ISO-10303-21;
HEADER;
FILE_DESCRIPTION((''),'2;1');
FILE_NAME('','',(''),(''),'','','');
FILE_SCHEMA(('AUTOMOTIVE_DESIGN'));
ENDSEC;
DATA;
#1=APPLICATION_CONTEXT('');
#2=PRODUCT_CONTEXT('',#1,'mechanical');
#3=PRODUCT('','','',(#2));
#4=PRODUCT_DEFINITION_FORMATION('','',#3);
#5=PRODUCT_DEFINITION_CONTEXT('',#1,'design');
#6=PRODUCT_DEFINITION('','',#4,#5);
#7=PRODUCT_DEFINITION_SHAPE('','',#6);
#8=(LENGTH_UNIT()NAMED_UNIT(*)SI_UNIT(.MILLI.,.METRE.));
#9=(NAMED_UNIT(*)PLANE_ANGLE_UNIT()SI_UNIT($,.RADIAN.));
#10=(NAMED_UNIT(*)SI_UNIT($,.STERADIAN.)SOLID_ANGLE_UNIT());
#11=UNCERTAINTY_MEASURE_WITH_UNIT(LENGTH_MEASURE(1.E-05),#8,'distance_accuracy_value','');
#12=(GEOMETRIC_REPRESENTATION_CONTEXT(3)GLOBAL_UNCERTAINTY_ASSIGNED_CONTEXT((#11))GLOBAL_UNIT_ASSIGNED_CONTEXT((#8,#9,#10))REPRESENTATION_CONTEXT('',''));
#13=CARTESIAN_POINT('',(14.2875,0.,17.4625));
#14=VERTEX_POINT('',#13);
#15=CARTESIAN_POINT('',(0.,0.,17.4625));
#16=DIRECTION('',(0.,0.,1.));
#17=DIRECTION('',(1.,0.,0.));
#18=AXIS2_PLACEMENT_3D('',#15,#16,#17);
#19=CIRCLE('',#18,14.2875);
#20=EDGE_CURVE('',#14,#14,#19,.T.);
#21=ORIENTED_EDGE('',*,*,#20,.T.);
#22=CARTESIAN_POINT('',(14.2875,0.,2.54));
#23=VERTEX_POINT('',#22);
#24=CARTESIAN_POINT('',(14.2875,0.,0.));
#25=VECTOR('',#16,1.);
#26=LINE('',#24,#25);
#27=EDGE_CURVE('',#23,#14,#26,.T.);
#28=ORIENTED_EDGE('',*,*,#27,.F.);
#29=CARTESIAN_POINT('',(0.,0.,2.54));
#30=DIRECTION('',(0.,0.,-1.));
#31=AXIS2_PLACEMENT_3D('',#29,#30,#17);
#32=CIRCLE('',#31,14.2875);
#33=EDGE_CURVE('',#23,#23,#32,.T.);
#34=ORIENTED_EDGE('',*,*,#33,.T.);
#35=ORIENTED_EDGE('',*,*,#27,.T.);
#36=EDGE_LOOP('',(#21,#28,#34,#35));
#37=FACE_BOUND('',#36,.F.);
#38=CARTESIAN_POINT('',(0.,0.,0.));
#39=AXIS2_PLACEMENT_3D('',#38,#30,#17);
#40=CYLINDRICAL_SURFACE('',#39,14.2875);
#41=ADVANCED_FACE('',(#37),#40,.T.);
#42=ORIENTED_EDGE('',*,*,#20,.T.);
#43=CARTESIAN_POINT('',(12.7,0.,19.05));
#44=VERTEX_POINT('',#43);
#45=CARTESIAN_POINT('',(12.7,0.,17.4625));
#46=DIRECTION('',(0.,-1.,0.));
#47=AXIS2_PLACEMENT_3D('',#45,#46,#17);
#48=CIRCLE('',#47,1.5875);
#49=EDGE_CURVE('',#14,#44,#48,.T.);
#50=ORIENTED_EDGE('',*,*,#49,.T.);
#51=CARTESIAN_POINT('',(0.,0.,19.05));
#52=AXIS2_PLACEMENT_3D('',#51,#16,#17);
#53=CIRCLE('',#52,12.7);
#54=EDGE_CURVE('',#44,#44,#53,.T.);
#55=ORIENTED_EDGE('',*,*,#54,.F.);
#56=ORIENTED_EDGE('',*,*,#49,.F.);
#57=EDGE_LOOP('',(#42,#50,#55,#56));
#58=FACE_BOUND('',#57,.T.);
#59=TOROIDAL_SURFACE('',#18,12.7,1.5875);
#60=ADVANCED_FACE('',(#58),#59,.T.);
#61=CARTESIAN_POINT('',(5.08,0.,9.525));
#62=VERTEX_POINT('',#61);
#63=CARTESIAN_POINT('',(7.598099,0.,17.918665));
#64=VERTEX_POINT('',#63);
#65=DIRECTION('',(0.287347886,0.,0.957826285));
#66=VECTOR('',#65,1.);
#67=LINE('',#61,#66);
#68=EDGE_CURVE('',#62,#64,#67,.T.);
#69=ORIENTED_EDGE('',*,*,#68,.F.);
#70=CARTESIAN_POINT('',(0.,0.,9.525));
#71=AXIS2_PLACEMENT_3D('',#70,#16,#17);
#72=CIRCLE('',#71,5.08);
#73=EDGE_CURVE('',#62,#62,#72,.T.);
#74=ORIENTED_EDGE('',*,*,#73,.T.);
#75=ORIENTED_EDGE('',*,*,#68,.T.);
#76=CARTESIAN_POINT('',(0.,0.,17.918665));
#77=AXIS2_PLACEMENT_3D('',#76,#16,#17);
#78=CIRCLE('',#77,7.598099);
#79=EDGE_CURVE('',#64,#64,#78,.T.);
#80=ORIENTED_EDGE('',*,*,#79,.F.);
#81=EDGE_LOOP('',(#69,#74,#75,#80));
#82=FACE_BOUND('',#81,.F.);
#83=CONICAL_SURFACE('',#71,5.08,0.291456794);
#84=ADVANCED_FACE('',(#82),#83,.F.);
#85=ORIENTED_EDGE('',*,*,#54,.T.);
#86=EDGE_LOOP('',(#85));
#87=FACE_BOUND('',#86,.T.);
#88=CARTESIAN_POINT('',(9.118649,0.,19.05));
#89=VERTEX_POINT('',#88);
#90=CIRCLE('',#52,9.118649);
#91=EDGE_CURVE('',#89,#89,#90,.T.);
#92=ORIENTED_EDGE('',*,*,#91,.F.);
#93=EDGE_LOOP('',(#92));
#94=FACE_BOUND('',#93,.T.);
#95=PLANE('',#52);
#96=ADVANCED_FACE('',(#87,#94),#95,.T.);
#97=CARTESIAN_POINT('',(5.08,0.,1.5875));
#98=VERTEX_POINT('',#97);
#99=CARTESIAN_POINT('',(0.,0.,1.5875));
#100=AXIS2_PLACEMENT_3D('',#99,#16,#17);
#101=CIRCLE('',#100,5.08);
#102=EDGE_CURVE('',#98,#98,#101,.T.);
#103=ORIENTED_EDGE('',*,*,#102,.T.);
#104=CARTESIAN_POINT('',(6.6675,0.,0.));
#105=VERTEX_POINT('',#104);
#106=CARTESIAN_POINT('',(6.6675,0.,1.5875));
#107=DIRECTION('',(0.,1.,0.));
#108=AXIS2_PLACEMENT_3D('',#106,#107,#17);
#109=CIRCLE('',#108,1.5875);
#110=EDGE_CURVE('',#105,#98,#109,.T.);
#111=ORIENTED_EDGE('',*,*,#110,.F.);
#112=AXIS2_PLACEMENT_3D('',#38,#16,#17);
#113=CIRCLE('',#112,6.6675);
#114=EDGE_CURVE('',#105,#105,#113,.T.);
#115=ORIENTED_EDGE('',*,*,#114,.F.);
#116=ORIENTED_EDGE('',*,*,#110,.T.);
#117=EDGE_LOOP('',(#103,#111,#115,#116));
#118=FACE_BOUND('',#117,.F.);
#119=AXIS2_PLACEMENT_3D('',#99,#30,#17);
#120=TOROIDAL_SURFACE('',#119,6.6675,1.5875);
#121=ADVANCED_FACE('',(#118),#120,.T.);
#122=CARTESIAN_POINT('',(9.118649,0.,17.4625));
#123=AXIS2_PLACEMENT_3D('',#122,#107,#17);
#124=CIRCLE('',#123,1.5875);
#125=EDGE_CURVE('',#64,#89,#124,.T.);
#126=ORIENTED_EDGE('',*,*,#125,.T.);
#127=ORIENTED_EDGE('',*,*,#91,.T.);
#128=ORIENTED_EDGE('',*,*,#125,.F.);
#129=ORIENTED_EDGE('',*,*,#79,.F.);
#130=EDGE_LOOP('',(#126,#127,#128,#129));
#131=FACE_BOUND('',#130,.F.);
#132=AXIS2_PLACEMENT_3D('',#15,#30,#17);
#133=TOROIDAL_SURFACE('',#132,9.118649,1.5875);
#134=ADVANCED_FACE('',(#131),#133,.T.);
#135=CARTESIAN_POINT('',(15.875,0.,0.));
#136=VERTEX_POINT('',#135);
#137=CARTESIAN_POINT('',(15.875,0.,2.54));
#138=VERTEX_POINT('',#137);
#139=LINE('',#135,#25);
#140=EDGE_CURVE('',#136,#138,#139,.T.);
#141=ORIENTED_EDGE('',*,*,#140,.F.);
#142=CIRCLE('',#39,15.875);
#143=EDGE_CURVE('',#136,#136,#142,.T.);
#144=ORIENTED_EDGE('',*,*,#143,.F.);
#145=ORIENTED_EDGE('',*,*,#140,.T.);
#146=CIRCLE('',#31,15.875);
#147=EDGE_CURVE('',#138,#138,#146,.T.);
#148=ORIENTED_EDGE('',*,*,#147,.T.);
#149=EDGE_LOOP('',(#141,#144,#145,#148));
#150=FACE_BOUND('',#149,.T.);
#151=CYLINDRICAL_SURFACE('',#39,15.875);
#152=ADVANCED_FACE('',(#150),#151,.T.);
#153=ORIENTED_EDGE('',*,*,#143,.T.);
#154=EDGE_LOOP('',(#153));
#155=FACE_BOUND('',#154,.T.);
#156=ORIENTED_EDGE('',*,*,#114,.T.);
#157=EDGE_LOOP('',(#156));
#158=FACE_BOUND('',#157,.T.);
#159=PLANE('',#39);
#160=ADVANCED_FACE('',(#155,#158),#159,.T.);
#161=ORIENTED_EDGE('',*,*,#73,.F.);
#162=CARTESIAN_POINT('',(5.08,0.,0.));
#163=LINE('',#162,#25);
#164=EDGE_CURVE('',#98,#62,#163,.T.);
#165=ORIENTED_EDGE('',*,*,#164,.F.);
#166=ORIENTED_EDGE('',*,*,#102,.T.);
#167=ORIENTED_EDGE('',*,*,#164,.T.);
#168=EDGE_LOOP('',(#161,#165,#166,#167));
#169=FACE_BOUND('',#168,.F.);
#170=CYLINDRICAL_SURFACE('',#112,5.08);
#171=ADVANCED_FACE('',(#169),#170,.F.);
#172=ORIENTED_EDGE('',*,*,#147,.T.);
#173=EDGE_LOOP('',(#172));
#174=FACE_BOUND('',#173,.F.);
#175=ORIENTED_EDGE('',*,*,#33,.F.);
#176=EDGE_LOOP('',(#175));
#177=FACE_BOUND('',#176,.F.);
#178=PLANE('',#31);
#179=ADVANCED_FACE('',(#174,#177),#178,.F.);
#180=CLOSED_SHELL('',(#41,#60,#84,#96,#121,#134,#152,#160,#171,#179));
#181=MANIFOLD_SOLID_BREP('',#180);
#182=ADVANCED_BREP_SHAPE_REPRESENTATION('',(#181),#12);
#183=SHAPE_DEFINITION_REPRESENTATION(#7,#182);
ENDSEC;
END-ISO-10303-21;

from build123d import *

# Parameters (mm, degrees)
F0_R     = 14.2875
F1_DEPTH = 19.05
F2_R     = 15.875
F3_DEPTH = 2.54
F6_R     = 1.5875


with BuildPart() as f1:
    # F0 (on Top) → F1 (new body)
    with BuildSketch(Plane.XY):
        Circle(F0_R)
    extrude(amount=F1_DEPTH)

    # F2 (on face) → F3 (join)
    with BuildSketch(Plane(origin=(0, 0, 0), x_dir=(1, 0, 0), z_dir=(0, 0, -1))):
        Circle(F2_R)
    extrude(amount=-F3_DEPTH)

    # F4 (on Front) → F5 (revolve, cut)
    with BuildSketch(Plane.XZ):
        Polygon((0, 19.05), (0, 0), (5.08, 0), (5.08, 9.525), (7.9375, 19.05), align=None)
    revolve(axis=Axis((0, 0, 9.525), (0, 0, 1)), mode=Mode.SUBTRACT)

    # F6
    f6_edges = [f1.edges().sort_by_distance(p)[0] for p in [
        (-14.2875, 0, 19.05),
        (-7.9375, 0, 19.05),
        (-5.08, 0, 0),
    ]]
    fillet(f6_edges, radius=F6_R)


solid = f1.part
